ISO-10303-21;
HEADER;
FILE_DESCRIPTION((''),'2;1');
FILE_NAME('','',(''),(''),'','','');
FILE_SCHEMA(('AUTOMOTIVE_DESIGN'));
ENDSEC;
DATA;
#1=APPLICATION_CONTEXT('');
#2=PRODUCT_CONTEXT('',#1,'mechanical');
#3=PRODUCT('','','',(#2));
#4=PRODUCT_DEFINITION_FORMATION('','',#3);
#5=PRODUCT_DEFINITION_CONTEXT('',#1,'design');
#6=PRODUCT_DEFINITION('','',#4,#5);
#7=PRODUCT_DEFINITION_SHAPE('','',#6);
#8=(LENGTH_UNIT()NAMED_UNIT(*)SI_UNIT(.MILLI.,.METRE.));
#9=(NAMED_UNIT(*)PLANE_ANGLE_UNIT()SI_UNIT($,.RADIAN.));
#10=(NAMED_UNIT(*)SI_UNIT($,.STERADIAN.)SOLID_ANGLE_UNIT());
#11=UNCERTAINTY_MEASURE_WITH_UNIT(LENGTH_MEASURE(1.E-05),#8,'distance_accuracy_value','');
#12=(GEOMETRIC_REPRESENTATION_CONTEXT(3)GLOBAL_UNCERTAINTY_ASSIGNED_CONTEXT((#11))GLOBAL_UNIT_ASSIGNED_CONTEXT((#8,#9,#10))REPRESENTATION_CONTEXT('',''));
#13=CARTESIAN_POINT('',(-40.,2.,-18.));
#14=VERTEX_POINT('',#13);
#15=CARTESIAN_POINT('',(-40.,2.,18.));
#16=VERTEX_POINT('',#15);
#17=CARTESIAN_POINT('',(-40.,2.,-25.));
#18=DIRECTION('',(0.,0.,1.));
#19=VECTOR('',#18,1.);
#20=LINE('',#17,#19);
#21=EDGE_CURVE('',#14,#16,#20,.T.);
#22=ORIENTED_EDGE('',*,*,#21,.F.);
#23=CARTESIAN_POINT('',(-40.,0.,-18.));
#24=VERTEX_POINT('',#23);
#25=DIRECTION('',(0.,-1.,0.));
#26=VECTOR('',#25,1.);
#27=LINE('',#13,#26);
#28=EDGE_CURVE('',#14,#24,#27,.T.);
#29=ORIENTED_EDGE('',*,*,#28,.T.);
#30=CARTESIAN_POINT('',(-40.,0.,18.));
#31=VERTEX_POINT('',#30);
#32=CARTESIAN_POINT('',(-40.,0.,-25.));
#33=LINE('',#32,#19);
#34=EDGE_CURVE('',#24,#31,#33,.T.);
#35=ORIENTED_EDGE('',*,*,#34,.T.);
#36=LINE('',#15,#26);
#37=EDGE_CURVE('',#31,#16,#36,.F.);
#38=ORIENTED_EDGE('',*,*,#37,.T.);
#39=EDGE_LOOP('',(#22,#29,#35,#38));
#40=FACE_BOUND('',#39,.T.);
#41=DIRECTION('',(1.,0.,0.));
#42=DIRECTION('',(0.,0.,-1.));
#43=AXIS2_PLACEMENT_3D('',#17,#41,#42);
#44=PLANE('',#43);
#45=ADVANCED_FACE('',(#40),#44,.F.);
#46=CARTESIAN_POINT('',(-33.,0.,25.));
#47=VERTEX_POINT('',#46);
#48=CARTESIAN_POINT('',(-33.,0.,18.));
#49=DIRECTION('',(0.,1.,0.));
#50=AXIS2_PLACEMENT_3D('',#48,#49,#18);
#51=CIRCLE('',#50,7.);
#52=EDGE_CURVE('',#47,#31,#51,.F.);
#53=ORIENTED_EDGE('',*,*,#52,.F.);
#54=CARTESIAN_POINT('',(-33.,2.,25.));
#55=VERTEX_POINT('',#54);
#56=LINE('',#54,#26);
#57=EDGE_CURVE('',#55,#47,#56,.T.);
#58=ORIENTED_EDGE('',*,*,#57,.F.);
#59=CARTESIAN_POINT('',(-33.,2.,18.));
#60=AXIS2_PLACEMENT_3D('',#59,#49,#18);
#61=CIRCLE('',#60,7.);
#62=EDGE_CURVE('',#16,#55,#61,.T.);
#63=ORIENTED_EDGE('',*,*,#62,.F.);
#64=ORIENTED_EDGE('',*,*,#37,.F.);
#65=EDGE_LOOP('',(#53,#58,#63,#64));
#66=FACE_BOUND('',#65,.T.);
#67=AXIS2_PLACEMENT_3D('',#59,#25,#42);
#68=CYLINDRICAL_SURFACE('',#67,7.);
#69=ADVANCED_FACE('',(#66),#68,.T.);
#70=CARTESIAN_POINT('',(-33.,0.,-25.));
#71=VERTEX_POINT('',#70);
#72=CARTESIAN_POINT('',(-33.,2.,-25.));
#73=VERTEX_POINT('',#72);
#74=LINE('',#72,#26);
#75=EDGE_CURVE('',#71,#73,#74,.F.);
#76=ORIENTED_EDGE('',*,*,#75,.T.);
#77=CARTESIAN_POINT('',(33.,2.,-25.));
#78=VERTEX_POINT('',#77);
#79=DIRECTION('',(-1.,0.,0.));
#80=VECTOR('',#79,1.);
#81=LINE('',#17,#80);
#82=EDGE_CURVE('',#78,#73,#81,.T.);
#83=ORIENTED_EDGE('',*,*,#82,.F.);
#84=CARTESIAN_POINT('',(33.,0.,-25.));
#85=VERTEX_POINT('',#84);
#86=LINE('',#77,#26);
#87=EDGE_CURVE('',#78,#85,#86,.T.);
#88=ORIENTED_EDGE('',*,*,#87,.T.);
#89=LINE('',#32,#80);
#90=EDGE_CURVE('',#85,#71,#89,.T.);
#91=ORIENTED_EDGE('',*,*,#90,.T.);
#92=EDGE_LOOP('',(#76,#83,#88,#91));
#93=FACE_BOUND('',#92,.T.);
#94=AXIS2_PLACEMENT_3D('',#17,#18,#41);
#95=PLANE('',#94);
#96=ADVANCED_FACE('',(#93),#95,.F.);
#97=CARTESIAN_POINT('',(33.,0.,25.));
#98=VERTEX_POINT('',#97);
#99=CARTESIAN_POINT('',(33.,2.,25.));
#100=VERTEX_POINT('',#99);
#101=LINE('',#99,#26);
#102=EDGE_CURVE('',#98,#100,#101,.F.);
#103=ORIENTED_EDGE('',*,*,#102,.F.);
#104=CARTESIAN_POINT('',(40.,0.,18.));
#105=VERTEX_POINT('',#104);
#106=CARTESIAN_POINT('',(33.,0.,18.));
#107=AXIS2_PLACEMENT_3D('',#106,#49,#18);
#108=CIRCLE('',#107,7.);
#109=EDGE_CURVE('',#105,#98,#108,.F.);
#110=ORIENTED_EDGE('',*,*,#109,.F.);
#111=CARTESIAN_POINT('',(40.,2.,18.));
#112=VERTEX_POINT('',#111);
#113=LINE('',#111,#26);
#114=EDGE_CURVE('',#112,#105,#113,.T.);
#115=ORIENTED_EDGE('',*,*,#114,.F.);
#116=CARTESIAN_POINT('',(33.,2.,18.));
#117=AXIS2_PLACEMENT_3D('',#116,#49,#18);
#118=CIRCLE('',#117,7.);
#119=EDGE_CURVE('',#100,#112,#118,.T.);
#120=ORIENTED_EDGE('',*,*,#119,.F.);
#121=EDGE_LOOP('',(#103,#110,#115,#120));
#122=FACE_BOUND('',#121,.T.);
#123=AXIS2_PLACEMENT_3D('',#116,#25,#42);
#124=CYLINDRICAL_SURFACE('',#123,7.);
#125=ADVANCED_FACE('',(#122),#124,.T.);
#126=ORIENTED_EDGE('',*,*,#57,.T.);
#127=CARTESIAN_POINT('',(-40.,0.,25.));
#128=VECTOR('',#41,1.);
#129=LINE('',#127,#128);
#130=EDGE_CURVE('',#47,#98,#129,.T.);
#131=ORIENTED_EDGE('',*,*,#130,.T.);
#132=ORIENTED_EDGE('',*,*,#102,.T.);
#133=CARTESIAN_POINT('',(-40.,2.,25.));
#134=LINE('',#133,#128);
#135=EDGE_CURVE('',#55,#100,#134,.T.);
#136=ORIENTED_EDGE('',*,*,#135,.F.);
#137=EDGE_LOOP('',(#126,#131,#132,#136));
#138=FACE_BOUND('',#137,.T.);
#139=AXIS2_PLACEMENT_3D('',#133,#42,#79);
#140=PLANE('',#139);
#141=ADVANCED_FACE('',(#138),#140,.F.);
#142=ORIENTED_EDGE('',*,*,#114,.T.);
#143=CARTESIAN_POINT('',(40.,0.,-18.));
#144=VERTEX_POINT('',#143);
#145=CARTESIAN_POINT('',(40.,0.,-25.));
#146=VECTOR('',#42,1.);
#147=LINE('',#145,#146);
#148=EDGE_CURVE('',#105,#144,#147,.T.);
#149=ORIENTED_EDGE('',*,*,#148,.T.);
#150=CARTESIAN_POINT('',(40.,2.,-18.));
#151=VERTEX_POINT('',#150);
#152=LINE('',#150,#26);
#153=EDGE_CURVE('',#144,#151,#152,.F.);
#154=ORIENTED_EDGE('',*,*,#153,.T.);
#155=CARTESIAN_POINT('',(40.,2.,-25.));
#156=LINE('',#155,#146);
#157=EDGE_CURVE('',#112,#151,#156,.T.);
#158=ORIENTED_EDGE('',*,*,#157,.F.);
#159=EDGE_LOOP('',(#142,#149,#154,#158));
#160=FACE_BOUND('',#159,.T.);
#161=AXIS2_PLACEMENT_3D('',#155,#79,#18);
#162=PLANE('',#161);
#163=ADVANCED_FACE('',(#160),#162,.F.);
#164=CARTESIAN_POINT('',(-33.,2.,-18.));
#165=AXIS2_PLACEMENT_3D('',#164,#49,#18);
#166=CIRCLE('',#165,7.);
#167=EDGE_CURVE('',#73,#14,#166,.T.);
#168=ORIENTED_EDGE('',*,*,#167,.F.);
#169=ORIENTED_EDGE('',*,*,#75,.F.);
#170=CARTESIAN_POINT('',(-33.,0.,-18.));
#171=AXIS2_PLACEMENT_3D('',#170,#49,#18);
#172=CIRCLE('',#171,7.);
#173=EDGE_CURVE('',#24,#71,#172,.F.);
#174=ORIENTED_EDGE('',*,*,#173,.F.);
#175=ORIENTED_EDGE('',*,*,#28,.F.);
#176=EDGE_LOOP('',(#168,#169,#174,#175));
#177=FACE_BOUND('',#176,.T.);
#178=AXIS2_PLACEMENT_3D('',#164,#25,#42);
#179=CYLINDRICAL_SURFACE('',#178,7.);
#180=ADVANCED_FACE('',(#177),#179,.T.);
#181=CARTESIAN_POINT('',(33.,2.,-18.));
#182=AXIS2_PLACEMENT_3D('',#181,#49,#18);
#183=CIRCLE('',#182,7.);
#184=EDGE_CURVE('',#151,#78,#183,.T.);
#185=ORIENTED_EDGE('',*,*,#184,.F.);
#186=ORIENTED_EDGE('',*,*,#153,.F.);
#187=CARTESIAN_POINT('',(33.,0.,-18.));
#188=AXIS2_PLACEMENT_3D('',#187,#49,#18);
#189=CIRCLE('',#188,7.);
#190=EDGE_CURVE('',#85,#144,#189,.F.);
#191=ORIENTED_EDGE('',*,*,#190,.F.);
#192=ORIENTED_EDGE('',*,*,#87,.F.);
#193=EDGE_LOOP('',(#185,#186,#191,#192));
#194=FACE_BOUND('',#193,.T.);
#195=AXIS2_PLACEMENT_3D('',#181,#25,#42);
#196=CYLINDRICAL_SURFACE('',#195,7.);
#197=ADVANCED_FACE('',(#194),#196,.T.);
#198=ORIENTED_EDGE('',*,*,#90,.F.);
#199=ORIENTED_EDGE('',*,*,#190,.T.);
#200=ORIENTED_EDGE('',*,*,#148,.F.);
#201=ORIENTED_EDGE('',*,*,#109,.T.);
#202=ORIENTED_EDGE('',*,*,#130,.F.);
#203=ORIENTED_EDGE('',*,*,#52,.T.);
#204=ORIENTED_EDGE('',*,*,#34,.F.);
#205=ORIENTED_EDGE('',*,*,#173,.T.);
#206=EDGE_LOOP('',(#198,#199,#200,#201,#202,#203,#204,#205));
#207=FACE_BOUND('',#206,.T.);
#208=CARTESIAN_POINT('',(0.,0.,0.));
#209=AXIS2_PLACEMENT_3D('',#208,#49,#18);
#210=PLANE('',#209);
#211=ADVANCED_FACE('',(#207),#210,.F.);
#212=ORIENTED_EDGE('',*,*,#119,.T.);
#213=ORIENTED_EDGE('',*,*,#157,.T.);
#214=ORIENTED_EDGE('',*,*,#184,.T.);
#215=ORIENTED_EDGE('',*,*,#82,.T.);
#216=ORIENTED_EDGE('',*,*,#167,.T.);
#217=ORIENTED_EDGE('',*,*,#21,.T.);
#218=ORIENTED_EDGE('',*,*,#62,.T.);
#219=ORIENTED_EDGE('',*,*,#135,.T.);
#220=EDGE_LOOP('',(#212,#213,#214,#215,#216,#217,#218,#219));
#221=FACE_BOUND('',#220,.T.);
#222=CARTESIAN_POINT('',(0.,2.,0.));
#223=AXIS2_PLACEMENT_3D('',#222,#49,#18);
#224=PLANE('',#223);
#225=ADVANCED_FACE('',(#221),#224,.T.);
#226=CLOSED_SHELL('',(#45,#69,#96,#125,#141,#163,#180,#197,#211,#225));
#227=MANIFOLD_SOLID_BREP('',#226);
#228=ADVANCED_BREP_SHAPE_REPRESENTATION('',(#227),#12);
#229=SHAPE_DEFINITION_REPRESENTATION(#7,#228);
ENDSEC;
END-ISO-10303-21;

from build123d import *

# Parameters (mm, degrees)
SKETCH1_W           = 80
SKETCH1_H           = 50
BOSS_EXTRUDE1_DEPTH = 2
FILLET1_R           = 7


with BuildPart() as part:
    # Sketch1 → Boss-Extrude1 (new body)
    with BuildSketch(Plane(origin=(0, 0, 0), x_dir=(1, 0, 0), z_dir=(0, 1, 0))):
        Rectangle(SKETCH1_W, SKETCH1_H)
    extrude(amount=BOSS_EXTRUDE1_DEPTH)

    # Fillet1
    fillet1_edges = [part.edges().sort_by_distance(p)[0] for p in [
        (40, 1, 25),
        (-40, 1, 25),
        (-40, 1, -25),
        (40, 1, -25),
    ]]
    fillet(fillet1_edges, radius=FILLET1_R)


solid = part.part
